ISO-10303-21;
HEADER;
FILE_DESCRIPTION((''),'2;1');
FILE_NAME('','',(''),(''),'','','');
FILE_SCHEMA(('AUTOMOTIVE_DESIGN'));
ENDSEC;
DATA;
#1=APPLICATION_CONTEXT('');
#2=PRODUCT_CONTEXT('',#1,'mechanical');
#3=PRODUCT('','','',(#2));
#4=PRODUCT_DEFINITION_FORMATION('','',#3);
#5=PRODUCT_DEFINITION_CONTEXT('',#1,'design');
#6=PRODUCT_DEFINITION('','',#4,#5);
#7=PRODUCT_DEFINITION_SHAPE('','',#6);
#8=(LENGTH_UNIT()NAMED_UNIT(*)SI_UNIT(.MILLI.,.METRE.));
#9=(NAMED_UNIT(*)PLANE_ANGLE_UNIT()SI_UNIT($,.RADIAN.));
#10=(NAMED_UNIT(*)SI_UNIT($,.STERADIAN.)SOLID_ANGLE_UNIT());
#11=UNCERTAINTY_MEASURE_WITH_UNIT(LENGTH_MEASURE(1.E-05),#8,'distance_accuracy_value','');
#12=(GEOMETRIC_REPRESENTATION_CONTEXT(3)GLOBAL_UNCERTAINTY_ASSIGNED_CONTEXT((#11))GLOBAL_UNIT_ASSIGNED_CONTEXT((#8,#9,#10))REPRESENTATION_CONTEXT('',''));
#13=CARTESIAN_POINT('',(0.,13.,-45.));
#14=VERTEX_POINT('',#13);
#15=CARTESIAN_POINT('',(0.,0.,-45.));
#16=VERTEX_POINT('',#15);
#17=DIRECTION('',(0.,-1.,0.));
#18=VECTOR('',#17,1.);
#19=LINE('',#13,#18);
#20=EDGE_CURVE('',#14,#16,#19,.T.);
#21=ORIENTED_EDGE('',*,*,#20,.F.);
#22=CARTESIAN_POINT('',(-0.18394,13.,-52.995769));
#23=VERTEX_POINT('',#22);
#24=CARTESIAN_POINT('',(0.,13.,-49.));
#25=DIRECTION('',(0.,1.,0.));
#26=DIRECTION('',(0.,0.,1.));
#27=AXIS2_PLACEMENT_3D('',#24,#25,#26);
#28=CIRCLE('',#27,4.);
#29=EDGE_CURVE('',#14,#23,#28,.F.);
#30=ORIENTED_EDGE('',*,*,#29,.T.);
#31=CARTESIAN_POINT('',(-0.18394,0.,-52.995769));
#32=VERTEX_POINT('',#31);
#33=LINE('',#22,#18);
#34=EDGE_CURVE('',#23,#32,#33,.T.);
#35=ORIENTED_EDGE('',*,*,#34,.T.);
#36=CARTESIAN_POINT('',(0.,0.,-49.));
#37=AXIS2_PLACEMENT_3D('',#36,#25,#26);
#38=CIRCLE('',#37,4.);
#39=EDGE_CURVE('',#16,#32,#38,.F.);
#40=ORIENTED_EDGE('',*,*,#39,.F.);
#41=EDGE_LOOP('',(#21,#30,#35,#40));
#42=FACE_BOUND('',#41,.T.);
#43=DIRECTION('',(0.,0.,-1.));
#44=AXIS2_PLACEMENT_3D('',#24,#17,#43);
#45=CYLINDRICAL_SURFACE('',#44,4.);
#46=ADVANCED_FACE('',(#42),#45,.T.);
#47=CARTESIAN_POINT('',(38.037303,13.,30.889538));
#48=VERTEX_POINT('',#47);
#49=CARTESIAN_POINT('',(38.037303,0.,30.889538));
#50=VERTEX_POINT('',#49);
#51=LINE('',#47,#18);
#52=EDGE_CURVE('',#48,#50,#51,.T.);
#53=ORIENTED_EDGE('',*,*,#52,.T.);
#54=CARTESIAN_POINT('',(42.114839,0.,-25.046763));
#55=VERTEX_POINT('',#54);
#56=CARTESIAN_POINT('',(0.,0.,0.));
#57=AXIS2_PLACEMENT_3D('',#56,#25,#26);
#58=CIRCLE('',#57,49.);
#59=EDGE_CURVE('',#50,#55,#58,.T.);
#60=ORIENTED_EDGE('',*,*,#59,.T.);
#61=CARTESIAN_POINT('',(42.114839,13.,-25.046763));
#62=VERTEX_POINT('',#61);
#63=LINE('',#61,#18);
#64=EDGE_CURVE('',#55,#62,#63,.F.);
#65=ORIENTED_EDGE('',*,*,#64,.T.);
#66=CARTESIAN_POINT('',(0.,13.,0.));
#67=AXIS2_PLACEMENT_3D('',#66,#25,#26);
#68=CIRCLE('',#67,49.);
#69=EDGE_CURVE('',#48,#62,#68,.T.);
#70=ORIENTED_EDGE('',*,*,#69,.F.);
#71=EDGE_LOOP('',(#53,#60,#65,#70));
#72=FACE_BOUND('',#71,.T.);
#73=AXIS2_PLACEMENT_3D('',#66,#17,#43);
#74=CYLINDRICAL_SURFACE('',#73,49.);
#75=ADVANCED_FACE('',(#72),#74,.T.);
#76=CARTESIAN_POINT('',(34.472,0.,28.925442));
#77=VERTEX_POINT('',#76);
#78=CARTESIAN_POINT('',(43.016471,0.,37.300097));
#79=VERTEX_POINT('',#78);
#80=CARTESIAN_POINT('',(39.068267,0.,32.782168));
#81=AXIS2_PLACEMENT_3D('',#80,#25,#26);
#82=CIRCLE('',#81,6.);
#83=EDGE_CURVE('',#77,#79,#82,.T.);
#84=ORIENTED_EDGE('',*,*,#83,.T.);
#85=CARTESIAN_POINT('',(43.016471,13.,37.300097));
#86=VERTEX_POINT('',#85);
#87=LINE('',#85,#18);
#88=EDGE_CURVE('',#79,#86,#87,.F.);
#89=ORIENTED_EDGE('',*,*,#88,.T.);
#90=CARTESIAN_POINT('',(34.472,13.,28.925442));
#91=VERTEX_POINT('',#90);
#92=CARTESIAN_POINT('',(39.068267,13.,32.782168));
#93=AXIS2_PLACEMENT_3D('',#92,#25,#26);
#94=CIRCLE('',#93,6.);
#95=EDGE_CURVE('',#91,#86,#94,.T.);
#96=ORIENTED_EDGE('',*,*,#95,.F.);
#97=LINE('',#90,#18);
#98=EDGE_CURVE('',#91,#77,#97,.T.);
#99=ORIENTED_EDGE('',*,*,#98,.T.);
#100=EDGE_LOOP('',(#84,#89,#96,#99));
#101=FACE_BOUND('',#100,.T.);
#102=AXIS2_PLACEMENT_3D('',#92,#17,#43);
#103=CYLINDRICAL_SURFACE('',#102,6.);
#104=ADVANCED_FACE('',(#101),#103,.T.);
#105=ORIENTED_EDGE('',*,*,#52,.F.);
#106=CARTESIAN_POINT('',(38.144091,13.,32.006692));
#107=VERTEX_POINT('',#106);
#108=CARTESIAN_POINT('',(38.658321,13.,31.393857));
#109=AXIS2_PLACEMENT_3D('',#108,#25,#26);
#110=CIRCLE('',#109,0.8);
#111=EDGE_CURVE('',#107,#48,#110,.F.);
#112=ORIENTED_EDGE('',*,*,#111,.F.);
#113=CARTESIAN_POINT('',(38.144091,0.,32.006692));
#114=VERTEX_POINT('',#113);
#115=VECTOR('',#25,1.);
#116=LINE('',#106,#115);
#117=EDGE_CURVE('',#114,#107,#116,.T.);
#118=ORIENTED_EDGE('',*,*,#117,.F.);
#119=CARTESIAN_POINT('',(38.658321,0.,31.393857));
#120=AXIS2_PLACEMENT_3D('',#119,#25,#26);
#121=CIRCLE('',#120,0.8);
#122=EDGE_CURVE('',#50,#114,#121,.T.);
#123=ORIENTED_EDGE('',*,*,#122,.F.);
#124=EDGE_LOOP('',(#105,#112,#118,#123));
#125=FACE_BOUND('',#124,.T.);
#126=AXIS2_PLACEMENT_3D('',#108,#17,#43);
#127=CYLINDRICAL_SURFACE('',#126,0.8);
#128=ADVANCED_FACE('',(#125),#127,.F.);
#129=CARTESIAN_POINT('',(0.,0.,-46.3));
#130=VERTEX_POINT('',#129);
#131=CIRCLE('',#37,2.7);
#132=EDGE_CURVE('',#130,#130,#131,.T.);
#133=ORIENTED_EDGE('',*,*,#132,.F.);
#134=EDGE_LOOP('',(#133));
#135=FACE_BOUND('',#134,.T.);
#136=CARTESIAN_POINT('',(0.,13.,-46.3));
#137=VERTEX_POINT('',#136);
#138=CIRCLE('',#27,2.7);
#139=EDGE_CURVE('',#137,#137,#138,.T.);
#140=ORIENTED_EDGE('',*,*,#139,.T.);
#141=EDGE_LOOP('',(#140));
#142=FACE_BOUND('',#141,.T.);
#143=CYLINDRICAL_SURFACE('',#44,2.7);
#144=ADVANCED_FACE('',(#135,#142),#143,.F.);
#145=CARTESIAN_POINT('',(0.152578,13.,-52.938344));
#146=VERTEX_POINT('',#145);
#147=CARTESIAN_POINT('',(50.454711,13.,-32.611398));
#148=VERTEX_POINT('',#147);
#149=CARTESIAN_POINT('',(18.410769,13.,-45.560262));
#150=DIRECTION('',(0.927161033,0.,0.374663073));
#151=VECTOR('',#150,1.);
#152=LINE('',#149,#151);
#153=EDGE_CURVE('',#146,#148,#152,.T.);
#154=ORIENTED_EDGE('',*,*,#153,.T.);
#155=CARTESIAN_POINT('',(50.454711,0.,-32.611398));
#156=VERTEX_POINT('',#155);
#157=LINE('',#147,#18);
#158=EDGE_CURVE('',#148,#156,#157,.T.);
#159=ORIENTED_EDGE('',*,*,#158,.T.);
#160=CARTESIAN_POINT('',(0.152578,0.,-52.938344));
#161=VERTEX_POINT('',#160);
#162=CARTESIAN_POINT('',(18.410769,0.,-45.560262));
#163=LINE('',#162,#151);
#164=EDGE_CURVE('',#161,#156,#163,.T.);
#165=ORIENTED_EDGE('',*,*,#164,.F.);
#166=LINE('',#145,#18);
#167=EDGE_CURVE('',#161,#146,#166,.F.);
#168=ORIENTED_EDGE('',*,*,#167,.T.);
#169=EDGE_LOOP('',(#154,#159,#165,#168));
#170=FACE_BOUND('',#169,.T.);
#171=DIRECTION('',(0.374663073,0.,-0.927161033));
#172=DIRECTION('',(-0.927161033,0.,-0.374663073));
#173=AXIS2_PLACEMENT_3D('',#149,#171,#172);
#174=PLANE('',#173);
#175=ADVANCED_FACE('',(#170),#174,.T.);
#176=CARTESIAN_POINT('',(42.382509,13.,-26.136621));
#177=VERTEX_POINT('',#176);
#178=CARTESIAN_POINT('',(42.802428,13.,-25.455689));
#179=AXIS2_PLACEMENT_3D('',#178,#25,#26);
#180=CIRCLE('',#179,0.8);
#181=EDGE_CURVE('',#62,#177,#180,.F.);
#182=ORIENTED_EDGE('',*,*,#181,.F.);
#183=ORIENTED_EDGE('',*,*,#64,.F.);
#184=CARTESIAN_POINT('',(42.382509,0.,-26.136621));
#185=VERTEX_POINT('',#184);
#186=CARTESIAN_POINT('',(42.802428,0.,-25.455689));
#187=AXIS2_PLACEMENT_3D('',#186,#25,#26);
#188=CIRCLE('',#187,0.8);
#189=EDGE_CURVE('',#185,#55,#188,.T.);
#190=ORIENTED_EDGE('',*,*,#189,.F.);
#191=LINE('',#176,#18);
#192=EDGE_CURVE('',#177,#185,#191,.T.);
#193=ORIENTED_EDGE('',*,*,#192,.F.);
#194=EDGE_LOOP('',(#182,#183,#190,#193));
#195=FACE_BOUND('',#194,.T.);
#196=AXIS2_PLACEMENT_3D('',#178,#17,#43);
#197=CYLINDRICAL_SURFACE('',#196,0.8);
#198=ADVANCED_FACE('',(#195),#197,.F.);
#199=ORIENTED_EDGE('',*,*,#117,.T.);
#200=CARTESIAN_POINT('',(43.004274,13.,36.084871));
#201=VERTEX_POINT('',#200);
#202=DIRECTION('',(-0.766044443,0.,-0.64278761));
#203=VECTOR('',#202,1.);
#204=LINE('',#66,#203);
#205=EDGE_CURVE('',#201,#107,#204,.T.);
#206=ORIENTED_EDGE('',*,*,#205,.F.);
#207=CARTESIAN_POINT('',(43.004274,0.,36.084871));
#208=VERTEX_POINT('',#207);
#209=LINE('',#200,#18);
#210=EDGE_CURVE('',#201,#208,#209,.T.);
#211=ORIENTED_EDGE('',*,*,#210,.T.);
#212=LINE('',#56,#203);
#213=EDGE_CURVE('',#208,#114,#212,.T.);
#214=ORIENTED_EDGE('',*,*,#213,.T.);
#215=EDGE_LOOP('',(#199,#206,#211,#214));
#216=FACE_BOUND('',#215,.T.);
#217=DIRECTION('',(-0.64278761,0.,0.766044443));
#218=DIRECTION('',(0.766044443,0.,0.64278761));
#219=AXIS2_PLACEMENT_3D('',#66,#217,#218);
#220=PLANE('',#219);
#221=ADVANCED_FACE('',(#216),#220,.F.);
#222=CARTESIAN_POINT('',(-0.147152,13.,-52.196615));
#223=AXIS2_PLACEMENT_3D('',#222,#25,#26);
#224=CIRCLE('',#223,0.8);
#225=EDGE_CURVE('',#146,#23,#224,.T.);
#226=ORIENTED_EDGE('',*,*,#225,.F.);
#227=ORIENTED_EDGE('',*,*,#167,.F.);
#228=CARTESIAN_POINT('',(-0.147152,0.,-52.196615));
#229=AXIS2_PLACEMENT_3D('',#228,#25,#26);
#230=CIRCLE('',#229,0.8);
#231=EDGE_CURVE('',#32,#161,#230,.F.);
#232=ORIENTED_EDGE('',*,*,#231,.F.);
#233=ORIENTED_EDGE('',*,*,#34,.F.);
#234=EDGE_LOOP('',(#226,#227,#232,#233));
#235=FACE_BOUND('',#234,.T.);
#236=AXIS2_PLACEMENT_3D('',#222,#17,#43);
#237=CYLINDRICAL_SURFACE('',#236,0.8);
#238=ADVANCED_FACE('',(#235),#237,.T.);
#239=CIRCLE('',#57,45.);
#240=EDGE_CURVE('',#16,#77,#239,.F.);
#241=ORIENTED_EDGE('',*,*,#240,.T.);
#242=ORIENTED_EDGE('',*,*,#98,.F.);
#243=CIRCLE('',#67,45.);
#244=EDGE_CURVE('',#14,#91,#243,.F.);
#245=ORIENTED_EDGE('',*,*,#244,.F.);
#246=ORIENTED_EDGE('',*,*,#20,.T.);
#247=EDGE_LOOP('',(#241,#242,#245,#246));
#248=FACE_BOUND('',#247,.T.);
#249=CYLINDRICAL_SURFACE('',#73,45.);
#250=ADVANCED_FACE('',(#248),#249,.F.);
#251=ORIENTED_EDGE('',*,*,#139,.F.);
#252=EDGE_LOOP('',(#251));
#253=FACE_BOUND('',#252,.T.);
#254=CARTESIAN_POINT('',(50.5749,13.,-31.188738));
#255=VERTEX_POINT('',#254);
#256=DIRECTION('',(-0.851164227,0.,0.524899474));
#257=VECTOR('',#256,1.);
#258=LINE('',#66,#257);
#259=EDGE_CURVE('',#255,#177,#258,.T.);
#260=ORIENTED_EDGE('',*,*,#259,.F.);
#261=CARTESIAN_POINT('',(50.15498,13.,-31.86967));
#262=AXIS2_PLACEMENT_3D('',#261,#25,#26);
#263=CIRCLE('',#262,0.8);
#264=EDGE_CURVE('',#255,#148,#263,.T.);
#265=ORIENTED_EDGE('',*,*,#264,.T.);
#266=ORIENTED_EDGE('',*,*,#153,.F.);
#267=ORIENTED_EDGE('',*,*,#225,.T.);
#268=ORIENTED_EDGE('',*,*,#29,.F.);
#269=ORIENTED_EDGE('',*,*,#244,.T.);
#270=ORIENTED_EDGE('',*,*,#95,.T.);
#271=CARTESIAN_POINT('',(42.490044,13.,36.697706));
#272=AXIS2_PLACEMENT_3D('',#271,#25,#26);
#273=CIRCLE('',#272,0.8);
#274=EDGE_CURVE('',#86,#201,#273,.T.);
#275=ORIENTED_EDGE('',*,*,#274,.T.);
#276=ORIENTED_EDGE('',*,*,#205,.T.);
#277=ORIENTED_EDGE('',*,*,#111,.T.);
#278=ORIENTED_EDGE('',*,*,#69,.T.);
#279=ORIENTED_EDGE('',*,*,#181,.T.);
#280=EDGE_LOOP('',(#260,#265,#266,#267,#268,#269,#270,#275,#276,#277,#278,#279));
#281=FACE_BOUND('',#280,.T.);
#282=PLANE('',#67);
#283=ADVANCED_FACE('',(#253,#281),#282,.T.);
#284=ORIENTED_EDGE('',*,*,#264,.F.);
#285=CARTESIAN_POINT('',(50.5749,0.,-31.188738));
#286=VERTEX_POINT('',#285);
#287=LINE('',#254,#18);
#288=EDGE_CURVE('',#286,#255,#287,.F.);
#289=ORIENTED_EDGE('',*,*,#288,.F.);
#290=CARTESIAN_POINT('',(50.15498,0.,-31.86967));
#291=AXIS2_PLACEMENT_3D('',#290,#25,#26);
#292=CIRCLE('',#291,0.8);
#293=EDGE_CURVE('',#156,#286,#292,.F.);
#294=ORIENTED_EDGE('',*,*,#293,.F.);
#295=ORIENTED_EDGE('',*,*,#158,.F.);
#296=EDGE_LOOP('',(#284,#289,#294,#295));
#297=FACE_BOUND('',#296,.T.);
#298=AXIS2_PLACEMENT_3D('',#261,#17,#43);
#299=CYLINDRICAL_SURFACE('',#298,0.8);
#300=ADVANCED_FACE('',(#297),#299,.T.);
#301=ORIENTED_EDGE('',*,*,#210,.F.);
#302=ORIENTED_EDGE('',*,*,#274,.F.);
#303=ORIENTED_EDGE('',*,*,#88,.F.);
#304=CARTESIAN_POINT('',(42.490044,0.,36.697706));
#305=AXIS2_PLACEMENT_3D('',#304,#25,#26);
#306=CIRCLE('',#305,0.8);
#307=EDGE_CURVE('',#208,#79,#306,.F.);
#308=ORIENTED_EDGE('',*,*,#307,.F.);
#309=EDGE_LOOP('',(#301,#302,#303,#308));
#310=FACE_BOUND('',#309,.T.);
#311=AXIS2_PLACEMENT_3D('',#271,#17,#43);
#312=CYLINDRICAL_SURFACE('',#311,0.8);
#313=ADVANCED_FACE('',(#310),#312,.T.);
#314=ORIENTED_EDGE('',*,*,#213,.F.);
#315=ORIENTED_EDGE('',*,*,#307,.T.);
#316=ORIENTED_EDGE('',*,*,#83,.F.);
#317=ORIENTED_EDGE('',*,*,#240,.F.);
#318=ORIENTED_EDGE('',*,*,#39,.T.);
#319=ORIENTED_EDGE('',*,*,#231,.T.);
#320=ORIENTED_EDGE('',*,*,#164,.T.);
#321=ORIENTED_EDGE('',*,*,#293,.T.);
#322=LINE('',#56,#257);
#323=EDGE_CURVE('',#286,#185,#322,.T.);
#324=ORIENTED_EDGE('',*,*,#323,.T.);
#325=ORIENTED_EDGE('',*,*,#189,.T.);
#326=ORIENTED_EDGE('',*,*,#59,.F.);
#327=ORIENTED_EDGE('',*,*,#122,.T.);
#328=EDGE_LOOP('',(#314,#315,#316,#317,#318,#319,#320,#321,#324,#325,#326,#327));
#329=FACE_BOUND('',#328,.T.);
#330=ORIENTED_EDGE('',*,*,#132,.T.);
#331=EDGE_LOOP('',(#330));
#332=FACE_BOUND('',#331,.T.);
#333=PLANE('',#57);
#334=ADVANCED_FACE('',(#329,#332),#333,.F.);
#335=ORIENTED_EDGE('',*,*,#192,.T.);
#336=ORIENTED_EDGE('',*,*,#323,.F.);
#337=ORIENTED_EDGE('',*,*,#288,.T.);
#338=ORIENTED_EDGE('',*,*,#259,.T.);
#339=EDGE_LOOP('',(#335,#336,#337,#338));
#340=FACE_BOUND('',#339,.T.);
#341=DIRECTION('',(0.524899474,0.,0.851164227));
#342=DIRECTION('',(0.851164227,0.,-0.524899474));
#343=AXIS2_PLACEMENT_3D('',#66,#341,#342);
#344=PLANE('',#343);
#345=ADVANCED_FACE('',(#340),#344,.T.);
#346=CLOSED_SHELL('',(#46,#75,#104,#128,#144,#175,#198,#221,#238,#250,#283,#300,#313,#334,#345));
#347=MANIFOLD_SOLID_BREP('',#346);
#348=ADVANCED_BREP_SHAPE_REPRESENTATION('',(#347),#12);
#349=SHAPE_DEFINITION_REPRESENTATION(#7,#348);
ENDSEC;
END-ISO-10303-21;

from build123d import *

# Parameters (mm, degrees)
BOSS_EXTRUDE1_DEPTH = 13
FILLET1_R           = 0.8


with BuildPart() as part:
    # Sketch1 → Boss-Extrude1 (new body)
    with BuildSketch(Plane(origin=(0, 0, 0), x_dir=(1, 0, 0), z_dir=(0, 1, 0))):
        with BuildLine():
            Line((0, 51.7), (0, 53))
            ThreePointArc((0, 53), (-4, 49), (0, 45))
            ThreePointArc((0, 45), (40.783850417, 19.017821778), (34.47199994, -28.925442436))
            ThreePointArc((34.47199994, -28.925442436), (35.211540941, -37.378434753), (43.664533258, -36.638893752))
            Line((43.664533258, -36.638893752), (37.536177713, -31.496592875))
            ThreePointArc((37.536177713, -31.496592875), (48.870327604, -3.562454189), (41.707047143, 25.720074234))
            ThreePointArc((41.707047143, 25.720074234), (25.051905135, 42.111780407), (2.698975076, 48.925612245))
            ThreePointArc((2.698975076, 48.925612245), (-1.935309657, 47.117295421), (0, 51.7))
        make_face()
        with BuildLine():
            Line((51.921017872, 32.018867925), (0, 53))
            Line((0, 53), (0, 51.7))
            ThreePointArc((0, 51.7), (1.909188309, 50.909188309), (2.7, 49))
            ThreePointArc((2.7, 49), (2.699743757, 48.962802592), (2.698975076, 48.925612245))
            ThreePointArc((2.698975076, 48.925612245), (25.051905135, 42.111780407), (41.707047143, 25.720074234))
            Line((41.707047143, 25.720074234), (51.921017872, 32.018867925))
        make_face()
    extrude(amount=BOSS_EXTRUDE1_DEPTH)

    # Fillet1
    fillet1_edges = [part.edges().sort_by_distance(p)[0] for p in [
        (0, 6.5, -53),
        (51.921017872, 6.5, -32.018867925),
        (41.707047143, 6.5, -25.720074234),
        (37.536177713, 6.5, 31.496592875),
        (43.664533258, 6.5, 36.638893752),
    ]]
    fillet(fillet1_edges, radius=FILLET1_R)


solid = part.part
